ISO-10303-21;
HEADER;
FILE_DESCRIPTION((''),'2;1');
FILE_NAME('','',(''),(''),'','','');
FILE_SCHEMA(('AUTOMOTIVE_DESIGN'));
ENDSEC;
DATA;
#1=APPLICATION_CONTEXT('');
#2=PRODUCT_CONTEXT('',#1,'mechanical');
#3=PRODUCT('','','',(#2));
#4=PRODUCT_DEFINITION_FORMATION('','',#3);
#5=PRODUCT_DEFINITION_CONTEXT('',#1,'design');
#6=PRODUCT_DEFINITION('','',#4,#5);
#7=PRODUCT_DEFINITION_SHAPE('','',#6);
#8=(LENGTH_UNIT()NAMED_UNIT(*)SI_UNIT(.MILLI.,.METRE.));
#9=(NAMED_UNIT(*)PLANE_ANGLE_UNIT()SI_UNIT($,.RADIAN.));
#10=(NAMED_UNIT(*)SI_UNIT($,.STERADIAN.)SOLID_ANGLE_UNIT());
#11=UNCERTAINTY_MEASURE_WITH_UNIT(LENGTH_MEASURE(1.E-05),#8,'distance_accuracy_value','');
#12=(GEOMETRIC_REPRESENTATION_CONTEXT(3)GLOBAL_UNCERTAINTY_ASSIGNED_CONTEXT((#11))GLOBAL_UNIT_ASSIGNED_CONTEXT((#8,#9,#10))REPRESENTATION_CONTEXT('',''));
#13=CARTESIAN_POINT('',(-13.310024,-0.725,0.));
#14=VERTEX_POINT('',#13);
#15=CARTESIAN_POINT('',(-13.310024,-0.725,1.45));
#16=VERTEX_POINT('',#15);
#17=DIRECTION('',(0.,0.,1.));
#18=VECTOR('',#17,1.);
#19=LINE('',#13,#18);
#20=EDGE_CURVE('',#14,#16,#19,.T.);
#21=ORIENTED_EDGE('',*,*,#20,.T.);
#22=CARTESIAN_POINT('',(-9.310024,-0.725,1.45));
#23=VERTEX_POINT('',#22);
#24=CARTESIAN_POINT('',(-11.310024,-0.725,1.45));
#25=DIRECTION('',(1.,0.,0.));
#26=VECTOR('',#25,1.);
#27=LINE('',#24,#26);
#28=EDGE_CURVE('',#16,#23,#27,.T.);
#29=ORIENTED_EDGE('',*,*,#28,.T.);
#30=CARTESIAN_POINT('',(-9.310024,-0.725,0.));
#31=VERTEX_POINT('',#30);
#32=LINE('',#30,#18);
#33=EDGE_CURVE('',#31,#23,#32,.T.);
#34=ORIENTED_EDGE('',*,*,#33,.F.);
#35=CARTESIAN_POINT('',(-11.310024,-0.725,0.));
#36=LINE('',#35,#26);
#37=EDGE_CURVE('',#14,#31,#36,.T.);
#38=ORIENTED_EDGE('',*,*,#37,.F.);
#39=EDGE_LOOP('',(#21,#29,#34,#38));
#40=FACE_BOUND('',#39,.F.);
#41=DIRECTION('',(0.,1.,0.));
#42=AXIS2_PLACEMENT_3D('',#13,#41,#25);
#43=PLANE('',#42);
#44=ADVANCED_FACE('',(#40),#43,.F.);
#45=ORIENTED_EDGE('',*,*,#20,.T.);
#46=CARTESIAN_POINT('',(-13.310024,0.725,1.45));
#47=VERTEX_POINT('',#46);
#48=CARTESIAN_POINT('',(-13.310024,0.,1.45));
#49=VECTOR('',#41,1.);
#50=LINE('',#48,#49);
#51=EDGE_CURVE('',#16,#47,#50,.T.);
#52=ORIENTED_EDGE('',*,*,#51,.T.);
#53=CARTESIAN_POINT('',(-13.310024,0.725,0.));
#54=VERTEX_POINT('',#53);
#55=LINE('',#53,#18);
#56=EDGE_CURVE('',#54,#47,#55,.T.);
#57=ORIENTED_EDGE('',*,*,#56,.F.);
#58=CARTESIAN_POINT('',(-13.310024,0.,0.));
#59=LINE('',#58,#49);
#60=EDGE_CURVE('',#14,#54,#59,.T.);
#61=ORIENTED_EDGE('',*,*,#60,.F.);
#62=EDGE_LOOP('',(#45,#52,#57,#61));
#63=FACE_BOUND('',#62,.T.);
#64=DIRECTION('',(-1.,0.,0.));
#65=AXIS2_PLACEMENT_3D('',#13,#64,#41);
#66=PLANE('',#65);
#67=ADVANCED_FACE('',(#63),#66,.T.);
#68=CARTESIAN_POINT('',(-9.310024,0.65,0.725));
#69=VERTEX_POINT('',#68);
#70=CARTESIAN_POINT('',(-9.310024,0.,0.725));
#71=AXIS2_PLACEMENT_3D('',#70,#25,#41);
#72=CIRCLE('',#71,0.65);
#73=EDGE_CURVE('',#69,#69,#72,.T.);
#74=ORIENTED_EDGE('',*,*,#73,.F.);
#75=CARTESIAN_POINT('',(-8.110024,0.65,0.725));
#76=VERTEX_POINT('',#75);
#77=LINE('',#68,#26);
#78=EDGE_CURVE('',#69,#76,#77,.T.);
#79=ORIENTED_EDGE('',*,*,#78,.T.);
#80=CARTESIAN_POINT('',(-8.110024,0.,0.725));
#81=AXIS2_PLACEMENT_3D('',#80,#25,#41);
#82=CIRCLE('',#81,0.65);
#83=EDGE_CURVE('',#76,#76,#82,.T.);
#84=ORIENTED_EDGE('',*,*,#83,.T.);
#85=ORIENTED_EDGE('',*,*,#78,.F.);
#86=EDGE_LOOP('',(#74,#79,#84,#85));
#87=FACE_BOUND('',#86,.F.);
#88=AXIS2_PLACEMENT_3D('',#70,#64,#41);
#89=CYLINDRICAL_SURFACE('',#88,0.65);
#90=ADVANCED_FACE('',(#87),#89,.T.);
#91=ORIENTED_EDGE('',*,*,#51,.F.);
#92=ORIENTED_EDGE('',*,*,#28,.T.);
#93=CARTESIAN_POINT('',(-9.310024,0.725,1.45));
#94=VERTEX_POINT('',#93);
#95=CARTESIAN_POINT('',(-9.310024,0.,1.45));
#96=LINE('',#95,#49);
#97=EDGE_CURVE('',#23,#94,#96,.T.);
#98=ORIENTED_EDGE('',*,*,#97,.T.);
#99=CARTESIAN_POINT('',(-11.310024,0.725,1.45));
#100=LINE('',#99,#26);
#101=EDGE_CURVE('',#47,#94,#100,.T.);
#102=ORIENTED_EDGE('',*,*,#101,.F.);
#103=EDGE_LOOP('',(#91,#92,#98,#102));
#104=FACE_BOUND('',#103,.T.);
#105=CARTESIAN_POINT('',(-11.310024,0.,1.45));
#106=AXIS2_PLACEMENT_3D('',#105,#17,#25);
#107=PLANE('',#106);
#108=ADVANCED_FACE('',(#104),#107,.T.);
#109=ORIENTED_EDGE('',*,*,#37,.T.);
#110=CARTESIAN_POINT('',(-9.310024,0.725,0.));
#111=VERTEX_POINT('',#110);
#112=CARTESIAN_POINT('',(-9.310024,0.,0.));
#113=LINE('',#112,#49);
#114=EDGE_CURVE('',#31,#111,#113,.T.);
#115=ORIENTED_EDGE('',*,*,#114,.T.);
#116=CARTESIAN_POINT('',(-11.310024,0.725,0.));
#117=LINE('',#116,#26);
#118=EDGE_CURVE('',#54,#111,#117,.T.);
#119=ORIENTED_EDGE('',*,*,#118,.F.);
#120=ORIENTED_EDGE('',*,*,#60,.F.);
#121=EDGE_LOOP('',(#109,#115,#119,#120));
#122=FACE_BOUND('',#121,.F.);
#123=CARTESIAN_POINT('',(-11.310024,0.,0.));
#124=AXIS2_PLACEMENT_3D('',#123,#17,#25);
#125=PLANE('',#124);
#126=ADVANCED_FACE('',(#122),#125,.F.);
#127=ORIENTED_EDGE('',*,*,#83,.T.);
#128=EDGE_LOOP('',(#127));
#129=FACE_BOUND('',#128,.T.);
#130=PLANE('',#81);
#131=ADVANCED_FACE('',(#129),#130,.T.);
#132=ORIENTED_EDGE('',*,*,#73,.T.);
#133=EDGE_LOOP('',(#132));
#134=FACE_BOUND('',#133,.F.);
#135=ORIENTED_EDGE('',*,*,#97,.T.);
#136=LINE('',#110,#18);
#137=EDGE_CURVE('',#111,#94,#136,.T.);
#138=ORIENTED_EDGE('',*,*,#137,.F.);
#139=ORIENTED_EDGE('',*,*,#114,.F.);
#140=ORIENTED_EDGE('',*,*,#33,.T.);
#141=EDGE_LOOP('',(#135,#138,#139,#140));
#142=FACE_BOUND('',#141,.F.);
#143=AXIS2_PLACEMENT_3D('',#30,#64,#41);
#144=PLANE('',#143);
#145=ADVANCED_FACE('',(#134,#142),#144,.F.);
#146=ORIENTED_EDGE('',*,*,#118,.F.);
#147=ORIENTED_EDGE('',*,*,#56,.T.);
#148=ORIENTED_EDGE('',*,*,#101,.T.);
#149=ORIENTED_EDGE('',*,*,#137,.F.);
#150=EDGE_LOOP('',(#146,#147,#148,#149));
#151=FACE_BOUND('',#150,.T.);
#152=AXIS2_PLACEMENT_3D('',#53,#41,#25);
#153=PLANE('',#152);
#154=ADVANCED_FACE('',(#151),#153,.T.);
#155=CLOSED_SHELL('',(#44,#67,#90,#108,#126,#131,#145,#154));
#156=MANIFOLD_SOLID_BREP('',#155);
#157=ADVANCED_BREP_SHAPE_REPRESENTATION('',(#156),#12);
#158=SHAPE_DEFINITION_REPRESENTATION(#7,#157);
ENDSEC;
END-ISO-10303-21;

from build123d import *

# Parameters (mm, degrees)
F0_W     = 4
F0_H     = 1.45
F1_DEPTH = 1.45
F2_R     = 0.65
F3_DEPTH = 1.2


with BuildPart() as f1:
    # F0 (on Top) → F1 (new body)
    with BuildSketch(Plane.XY):
        with Locations((-11.310024, 0)):
            Rectangle(F0_W, F0_H)
    extrude(amount=F1_DEPTH)

    # F2 (on face) → F3 (join)
    with BuildSketch(Plane.YZ.offset(-9.310024)):
        with Locations((0, 0.725)):
            Circle(F2_R)
    extrude(amount=F3_DEPTH)


solid = f1.part
